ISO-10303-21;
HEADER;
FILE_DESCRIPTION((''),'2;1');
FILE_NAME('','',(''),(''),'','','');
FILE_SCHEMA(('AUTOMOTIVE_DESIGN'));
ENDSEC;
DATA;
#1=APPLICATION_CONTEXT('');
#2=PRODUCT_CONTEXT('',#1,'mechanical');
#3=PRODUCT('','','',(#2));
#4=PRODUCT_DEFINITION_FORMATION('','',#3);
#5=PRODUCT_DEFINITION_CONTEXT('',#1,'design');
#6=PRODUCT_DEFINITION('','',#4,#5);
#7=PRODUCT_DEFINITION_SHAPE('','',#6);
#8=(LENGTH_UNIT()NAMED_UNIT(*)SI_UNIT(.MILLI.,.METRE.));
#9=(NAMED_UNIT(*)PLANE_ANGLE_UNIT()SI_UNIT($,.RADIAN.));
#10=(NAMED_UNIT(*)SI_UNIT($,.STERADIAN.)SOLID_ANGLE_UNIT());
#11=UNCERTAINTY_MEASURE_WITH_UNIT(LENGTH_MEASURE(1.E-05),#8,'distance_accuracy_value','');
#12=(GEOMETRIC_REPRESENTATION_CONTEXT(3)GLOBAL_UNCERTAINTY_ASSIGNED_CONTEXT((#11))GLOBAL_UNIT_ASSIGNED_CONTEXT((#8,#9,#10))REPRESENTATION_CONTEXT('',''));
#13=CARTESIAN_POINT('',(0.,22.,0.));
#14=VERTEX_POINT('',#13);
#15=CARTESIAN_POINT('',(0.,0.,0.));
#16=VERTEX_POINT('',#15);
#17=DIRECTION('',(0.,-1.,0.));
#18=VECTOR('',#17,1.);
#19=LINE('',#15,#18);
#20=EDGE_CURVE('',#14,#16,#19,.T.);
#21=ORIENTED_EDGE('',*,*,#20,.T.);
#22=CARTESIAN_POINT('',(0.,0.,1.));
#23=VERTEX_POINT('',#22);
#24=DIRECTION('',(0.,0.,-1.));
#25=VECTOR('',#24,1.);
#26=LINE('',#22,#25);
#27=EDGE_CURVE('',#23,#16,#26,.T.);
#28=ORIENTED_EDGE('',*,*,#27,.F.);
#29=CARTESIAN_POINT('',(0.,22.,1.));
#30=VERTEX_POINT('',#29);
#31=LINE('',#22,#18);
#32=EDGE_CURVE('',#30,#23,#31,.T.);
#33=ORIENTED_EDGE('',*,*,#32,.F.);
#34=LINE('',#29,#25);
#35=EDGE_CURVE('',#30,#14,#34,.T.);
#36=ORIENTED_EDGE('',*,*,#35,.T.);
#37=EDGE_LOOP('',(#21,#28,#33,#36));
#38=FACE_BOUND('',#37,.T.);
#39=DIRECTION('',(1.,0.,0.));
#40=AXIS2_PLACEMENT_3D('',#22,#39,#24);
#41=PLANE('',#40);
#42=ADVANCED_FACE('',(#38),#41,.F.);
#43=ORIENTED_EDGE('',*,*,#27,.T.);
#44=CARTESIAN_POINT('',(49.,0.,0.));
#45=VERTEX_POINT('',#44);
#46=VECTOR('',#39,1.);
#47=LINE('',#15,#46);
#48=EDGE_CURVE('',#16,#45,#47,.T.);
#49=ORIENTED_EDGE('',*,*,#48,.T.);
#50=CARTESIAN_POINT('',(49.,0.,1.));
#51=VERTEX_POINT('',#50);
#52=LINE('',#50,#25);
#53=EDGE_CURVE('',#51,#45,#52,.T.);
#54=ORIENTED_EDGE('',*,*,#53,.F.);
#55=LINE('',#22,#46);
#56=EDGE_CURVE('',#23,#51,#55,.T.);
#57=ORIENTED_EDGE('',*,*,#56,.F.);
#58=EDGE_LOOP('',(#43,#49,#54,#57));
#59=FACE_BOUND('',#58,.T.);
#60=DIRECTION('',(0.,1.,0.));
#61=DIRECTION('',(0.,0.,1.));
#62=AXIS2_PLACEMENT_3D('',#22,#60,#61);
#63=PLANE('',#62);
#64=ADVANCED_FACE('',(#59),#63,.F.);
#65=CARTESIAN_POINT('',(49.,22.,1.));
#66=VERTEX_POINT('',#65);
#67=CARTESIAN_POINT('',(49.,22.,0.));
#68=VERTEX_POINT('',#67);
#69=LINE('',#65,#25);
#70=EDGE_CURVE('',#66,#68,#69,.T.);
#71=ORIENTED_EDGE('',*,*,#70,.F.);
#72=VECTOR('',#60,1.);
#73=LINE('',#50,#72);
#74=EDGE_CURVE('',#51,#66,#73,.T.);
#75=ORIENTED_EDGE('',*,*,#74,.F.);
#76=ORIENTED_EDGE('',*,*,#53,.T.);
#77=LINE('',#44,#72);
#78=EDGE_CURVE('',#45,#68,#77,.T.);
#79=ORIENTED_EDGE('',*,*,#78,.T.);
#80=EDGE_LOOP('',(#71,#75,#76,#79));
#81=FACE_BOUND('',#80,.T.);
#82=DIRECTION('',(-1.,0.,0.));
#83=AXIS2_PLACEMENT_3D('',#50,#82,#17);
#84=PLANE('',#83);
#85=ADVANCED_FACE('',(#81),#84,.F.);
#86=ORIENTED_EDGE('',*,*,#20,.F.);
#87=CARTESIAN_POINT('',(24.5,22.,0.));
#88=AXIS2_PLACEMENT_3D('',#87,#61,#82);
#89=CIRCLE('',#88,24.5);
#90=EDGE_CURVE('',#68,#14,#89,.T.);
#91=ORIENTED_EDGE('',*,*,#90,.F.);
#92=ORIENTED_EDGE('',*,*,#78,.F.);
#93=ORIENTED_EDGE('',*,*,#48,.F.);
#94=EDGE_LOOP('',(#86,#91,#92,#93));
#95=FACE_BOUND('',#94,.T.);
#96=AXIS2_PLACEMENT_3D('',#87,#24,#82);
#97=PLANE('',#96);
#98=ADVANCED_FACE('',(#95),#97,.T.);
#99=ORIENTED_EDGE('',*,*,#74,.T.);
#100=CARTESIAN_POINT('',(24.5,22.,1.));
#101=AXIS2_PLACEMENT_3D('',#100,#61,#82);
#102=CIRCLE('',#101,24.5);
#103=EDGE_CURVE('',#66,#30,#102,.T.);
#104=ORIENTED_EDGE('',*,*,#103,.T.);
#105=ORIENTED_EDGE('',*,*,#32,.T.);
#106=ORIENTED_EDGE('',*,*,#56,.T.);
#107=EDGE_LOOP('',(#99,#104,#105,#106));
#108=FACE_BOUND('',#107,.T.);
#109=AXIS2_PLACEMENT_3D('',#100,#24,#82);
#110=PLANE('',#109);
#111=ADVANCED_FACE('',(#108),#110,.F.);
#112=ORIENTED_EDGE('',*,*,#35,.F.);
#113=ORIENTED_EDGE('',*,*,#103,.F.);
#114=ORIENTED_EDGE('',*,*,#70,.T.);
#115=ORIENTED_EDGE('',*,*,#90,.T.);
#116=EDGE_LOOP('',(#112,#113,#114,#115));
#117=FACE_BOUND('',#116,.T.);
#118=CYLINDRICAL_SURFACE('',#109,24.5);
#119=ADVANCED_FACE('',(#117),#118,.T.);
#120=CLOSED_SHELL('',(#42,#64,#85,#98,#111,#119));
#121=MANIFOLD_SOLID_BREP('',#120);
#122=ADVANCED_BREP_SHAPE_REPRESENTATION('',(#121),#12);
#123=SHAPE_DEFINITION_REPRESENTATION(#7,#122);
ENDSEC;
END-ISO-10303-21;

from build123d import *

# Parameters (mm, degrees)
BOSS_EXTRU_1_DEPTH = 1


with BuildPart() as part:
    # Esquisse1 → Boss.-Extru.1 (new body)
    with BuildSketch(Plane.XY):
        with BuildLine():
            Line((0, 0), (49, 0))
            Line((49, 0), (49, 22))
            ThreePointArc((49, 22), (41.824116139, 39.324116139), (24.5, 46.5))
            ThreePointArc((24.5, 46.5), (7.175883861, 39.324116139), (0, 22))
            Line((0, 22), (0, 0))
        make_face()
    extrude(amount=BOSS_EXTRU_1_DEPTH)


solid = part.part
